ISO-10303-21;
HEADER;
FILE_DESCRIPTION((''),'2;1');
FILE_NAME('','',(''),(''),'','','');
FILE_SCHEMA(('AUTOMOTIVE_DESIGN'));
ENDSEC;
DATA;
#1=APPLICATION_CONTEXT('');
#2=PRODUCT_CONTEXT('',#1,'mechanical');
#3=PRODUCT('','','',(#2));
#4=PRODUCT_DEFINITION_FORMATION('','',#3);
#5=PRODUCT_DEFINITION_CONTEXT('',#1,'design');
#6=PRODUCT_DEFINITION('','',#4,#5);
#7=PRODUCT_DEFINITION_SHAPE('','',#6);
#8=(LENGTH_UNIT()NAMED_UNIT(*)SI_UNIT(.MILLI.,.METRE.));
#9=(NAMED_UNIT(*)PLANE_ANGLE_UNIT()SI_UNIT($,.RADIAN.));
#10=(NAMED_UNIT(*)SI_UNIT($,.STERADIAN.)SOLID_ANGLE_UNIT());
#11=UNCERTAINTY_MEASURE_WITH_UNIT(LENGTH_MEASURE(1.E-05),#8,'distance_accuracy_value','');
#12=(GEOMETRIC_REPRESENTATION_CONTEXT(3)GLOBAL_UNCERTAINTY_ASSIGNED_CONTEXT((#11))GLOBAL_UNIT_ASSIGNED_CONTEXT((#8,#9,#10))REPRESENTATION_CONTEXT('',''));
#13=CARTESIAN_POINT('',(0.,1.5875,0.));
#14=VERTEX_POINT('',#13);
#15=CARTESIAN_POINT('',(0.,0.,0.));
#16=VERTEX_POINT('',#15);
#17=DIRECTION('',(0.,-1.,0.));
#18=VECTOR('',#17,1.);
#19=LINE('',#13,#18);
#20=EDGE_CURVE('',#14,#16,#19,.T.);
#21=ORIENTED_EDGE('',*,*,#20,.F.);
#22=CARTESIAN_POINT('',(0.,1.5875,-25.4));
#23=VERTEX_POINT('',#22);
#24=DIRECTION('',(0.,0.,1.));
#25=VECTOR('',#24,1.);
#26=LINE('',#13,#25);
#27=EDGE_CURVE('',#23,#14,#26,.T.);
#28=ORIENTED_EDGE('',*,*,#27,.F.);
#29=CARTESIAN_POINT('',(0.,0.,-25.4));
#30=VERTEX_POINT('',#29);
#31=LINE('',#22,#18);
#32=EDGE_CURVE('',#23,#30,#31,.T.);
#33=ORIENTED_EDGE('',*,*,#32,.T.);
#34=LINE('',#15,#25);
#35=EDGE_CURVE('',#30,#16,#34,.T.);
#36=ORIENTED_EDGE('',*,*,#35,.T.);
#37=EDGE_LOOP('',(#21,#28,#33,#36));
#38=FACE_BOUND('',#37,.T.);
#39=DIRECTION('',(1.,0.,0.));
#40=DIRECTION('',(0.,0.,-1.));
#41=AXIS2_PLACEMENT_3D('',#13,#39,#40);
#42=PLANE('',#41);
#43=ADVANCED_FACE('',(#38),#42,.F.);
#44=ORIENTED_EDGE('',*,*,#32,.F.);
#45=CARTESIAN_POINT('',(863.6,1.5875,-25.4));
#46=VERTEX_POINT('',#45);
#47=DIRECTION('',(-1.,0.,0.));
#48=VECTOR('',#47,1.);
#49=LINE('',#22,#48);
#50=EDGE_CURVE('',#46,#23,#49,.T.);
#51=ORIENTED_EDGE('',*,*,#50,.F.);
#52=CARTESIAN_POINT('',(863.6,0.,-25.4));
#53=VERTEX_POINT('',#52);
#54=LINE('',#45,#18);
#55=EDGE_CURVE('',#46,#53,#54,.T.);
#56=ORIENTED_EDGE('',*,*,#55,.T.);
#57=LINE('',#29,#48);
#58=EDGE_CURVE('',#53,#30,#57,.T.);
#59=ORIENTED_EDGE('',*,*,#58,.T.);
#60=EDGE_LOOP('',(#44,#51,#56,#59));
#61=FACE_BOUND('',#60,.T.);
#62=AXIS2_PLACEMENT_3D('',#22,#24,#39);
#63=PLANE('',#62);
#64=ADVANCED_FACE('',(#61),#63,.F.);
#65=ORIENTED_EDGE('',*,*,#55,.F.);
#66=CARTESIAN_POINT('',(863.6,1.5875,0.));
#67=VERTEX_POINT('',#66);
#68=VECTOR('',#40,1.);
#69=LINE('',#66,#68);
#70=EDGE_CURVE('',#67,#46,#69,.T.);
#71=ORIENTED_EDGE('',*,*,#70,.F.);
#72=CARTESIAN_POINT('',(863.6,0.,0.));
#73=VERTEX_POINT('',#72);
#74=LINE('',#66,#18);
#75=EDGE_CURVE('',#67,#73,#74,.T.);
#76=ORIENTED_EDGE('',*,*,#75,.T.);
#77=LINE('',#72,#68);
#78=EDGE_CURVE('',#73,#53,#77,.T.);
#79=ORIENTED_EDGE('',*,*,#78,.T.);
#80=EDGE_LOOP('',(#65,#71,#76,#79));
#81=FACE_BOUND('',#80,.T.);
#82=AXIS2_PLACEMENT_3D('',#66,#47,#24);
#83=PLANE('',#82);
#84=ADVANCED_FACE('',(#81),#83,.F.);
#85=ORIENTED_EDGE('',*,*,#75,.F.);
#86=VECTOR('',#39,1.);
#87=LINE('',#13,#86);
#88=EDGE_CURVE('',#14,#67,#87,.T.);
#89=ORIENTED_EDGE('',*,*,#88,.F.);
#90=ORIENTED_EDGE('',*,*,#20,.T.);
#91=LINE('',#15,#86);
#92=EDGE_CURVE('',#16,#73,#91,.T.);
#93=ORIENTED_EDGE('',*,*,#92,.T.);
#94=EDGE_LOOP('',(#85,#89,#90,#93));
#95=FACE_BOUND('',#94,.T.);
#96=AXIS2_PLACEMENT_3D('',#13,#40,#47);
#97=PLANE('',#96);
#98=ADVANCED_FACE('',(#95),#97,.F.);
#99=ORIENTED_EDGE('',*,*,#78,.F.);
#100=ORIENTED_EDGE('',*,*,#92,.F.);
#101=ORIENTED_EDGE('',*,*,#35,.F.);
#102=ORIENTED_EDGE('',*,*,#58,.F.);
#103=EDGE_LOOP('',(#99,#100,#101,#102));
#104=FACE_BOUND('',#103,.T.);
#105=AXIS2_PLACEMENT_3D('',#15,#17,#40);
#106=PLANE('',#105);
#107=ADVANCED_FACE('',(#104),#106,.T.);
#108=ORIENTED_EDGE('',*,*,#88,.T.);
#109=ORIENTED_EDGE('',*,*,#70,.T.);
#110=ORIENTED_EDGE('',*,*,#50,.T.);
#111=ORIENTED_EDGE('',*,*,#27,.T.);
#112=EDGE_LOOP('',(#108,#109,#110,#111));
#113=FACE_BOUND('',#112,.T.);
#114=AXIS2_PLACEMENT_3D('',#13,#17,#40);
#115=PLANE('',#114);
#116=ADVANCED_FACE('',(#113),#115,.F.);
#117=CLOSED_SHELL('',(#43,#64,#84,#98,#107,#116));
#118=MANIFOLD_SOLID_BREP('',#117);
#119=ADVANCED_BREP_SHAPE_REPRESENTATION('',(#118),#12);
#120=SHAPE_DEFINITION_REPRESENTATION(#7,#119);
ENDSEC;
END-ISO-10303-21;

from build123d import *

# Parameters (mm, degrees)
SKETCH1_W           = 863.6
SKETCH1_H           = 25.4
BOSS_EXTRUDE1_DEPTH = 1.5875


with BuildPart() as part:
    # Sketch1 → Boss-Extrude1 (new body)
    with BuildSketch(Plane(origin=(0, 0, 0), x_dir=(1, 0, 0), z_dir=(0, 1, 0))):
        with Locations((431.8, 12.7)):
            Rectangle(SKETCH1_W, SKETCH1_H)
    extrude(amount=BOSS_EXTRUDE1_DEPTH)


solid = part.part
